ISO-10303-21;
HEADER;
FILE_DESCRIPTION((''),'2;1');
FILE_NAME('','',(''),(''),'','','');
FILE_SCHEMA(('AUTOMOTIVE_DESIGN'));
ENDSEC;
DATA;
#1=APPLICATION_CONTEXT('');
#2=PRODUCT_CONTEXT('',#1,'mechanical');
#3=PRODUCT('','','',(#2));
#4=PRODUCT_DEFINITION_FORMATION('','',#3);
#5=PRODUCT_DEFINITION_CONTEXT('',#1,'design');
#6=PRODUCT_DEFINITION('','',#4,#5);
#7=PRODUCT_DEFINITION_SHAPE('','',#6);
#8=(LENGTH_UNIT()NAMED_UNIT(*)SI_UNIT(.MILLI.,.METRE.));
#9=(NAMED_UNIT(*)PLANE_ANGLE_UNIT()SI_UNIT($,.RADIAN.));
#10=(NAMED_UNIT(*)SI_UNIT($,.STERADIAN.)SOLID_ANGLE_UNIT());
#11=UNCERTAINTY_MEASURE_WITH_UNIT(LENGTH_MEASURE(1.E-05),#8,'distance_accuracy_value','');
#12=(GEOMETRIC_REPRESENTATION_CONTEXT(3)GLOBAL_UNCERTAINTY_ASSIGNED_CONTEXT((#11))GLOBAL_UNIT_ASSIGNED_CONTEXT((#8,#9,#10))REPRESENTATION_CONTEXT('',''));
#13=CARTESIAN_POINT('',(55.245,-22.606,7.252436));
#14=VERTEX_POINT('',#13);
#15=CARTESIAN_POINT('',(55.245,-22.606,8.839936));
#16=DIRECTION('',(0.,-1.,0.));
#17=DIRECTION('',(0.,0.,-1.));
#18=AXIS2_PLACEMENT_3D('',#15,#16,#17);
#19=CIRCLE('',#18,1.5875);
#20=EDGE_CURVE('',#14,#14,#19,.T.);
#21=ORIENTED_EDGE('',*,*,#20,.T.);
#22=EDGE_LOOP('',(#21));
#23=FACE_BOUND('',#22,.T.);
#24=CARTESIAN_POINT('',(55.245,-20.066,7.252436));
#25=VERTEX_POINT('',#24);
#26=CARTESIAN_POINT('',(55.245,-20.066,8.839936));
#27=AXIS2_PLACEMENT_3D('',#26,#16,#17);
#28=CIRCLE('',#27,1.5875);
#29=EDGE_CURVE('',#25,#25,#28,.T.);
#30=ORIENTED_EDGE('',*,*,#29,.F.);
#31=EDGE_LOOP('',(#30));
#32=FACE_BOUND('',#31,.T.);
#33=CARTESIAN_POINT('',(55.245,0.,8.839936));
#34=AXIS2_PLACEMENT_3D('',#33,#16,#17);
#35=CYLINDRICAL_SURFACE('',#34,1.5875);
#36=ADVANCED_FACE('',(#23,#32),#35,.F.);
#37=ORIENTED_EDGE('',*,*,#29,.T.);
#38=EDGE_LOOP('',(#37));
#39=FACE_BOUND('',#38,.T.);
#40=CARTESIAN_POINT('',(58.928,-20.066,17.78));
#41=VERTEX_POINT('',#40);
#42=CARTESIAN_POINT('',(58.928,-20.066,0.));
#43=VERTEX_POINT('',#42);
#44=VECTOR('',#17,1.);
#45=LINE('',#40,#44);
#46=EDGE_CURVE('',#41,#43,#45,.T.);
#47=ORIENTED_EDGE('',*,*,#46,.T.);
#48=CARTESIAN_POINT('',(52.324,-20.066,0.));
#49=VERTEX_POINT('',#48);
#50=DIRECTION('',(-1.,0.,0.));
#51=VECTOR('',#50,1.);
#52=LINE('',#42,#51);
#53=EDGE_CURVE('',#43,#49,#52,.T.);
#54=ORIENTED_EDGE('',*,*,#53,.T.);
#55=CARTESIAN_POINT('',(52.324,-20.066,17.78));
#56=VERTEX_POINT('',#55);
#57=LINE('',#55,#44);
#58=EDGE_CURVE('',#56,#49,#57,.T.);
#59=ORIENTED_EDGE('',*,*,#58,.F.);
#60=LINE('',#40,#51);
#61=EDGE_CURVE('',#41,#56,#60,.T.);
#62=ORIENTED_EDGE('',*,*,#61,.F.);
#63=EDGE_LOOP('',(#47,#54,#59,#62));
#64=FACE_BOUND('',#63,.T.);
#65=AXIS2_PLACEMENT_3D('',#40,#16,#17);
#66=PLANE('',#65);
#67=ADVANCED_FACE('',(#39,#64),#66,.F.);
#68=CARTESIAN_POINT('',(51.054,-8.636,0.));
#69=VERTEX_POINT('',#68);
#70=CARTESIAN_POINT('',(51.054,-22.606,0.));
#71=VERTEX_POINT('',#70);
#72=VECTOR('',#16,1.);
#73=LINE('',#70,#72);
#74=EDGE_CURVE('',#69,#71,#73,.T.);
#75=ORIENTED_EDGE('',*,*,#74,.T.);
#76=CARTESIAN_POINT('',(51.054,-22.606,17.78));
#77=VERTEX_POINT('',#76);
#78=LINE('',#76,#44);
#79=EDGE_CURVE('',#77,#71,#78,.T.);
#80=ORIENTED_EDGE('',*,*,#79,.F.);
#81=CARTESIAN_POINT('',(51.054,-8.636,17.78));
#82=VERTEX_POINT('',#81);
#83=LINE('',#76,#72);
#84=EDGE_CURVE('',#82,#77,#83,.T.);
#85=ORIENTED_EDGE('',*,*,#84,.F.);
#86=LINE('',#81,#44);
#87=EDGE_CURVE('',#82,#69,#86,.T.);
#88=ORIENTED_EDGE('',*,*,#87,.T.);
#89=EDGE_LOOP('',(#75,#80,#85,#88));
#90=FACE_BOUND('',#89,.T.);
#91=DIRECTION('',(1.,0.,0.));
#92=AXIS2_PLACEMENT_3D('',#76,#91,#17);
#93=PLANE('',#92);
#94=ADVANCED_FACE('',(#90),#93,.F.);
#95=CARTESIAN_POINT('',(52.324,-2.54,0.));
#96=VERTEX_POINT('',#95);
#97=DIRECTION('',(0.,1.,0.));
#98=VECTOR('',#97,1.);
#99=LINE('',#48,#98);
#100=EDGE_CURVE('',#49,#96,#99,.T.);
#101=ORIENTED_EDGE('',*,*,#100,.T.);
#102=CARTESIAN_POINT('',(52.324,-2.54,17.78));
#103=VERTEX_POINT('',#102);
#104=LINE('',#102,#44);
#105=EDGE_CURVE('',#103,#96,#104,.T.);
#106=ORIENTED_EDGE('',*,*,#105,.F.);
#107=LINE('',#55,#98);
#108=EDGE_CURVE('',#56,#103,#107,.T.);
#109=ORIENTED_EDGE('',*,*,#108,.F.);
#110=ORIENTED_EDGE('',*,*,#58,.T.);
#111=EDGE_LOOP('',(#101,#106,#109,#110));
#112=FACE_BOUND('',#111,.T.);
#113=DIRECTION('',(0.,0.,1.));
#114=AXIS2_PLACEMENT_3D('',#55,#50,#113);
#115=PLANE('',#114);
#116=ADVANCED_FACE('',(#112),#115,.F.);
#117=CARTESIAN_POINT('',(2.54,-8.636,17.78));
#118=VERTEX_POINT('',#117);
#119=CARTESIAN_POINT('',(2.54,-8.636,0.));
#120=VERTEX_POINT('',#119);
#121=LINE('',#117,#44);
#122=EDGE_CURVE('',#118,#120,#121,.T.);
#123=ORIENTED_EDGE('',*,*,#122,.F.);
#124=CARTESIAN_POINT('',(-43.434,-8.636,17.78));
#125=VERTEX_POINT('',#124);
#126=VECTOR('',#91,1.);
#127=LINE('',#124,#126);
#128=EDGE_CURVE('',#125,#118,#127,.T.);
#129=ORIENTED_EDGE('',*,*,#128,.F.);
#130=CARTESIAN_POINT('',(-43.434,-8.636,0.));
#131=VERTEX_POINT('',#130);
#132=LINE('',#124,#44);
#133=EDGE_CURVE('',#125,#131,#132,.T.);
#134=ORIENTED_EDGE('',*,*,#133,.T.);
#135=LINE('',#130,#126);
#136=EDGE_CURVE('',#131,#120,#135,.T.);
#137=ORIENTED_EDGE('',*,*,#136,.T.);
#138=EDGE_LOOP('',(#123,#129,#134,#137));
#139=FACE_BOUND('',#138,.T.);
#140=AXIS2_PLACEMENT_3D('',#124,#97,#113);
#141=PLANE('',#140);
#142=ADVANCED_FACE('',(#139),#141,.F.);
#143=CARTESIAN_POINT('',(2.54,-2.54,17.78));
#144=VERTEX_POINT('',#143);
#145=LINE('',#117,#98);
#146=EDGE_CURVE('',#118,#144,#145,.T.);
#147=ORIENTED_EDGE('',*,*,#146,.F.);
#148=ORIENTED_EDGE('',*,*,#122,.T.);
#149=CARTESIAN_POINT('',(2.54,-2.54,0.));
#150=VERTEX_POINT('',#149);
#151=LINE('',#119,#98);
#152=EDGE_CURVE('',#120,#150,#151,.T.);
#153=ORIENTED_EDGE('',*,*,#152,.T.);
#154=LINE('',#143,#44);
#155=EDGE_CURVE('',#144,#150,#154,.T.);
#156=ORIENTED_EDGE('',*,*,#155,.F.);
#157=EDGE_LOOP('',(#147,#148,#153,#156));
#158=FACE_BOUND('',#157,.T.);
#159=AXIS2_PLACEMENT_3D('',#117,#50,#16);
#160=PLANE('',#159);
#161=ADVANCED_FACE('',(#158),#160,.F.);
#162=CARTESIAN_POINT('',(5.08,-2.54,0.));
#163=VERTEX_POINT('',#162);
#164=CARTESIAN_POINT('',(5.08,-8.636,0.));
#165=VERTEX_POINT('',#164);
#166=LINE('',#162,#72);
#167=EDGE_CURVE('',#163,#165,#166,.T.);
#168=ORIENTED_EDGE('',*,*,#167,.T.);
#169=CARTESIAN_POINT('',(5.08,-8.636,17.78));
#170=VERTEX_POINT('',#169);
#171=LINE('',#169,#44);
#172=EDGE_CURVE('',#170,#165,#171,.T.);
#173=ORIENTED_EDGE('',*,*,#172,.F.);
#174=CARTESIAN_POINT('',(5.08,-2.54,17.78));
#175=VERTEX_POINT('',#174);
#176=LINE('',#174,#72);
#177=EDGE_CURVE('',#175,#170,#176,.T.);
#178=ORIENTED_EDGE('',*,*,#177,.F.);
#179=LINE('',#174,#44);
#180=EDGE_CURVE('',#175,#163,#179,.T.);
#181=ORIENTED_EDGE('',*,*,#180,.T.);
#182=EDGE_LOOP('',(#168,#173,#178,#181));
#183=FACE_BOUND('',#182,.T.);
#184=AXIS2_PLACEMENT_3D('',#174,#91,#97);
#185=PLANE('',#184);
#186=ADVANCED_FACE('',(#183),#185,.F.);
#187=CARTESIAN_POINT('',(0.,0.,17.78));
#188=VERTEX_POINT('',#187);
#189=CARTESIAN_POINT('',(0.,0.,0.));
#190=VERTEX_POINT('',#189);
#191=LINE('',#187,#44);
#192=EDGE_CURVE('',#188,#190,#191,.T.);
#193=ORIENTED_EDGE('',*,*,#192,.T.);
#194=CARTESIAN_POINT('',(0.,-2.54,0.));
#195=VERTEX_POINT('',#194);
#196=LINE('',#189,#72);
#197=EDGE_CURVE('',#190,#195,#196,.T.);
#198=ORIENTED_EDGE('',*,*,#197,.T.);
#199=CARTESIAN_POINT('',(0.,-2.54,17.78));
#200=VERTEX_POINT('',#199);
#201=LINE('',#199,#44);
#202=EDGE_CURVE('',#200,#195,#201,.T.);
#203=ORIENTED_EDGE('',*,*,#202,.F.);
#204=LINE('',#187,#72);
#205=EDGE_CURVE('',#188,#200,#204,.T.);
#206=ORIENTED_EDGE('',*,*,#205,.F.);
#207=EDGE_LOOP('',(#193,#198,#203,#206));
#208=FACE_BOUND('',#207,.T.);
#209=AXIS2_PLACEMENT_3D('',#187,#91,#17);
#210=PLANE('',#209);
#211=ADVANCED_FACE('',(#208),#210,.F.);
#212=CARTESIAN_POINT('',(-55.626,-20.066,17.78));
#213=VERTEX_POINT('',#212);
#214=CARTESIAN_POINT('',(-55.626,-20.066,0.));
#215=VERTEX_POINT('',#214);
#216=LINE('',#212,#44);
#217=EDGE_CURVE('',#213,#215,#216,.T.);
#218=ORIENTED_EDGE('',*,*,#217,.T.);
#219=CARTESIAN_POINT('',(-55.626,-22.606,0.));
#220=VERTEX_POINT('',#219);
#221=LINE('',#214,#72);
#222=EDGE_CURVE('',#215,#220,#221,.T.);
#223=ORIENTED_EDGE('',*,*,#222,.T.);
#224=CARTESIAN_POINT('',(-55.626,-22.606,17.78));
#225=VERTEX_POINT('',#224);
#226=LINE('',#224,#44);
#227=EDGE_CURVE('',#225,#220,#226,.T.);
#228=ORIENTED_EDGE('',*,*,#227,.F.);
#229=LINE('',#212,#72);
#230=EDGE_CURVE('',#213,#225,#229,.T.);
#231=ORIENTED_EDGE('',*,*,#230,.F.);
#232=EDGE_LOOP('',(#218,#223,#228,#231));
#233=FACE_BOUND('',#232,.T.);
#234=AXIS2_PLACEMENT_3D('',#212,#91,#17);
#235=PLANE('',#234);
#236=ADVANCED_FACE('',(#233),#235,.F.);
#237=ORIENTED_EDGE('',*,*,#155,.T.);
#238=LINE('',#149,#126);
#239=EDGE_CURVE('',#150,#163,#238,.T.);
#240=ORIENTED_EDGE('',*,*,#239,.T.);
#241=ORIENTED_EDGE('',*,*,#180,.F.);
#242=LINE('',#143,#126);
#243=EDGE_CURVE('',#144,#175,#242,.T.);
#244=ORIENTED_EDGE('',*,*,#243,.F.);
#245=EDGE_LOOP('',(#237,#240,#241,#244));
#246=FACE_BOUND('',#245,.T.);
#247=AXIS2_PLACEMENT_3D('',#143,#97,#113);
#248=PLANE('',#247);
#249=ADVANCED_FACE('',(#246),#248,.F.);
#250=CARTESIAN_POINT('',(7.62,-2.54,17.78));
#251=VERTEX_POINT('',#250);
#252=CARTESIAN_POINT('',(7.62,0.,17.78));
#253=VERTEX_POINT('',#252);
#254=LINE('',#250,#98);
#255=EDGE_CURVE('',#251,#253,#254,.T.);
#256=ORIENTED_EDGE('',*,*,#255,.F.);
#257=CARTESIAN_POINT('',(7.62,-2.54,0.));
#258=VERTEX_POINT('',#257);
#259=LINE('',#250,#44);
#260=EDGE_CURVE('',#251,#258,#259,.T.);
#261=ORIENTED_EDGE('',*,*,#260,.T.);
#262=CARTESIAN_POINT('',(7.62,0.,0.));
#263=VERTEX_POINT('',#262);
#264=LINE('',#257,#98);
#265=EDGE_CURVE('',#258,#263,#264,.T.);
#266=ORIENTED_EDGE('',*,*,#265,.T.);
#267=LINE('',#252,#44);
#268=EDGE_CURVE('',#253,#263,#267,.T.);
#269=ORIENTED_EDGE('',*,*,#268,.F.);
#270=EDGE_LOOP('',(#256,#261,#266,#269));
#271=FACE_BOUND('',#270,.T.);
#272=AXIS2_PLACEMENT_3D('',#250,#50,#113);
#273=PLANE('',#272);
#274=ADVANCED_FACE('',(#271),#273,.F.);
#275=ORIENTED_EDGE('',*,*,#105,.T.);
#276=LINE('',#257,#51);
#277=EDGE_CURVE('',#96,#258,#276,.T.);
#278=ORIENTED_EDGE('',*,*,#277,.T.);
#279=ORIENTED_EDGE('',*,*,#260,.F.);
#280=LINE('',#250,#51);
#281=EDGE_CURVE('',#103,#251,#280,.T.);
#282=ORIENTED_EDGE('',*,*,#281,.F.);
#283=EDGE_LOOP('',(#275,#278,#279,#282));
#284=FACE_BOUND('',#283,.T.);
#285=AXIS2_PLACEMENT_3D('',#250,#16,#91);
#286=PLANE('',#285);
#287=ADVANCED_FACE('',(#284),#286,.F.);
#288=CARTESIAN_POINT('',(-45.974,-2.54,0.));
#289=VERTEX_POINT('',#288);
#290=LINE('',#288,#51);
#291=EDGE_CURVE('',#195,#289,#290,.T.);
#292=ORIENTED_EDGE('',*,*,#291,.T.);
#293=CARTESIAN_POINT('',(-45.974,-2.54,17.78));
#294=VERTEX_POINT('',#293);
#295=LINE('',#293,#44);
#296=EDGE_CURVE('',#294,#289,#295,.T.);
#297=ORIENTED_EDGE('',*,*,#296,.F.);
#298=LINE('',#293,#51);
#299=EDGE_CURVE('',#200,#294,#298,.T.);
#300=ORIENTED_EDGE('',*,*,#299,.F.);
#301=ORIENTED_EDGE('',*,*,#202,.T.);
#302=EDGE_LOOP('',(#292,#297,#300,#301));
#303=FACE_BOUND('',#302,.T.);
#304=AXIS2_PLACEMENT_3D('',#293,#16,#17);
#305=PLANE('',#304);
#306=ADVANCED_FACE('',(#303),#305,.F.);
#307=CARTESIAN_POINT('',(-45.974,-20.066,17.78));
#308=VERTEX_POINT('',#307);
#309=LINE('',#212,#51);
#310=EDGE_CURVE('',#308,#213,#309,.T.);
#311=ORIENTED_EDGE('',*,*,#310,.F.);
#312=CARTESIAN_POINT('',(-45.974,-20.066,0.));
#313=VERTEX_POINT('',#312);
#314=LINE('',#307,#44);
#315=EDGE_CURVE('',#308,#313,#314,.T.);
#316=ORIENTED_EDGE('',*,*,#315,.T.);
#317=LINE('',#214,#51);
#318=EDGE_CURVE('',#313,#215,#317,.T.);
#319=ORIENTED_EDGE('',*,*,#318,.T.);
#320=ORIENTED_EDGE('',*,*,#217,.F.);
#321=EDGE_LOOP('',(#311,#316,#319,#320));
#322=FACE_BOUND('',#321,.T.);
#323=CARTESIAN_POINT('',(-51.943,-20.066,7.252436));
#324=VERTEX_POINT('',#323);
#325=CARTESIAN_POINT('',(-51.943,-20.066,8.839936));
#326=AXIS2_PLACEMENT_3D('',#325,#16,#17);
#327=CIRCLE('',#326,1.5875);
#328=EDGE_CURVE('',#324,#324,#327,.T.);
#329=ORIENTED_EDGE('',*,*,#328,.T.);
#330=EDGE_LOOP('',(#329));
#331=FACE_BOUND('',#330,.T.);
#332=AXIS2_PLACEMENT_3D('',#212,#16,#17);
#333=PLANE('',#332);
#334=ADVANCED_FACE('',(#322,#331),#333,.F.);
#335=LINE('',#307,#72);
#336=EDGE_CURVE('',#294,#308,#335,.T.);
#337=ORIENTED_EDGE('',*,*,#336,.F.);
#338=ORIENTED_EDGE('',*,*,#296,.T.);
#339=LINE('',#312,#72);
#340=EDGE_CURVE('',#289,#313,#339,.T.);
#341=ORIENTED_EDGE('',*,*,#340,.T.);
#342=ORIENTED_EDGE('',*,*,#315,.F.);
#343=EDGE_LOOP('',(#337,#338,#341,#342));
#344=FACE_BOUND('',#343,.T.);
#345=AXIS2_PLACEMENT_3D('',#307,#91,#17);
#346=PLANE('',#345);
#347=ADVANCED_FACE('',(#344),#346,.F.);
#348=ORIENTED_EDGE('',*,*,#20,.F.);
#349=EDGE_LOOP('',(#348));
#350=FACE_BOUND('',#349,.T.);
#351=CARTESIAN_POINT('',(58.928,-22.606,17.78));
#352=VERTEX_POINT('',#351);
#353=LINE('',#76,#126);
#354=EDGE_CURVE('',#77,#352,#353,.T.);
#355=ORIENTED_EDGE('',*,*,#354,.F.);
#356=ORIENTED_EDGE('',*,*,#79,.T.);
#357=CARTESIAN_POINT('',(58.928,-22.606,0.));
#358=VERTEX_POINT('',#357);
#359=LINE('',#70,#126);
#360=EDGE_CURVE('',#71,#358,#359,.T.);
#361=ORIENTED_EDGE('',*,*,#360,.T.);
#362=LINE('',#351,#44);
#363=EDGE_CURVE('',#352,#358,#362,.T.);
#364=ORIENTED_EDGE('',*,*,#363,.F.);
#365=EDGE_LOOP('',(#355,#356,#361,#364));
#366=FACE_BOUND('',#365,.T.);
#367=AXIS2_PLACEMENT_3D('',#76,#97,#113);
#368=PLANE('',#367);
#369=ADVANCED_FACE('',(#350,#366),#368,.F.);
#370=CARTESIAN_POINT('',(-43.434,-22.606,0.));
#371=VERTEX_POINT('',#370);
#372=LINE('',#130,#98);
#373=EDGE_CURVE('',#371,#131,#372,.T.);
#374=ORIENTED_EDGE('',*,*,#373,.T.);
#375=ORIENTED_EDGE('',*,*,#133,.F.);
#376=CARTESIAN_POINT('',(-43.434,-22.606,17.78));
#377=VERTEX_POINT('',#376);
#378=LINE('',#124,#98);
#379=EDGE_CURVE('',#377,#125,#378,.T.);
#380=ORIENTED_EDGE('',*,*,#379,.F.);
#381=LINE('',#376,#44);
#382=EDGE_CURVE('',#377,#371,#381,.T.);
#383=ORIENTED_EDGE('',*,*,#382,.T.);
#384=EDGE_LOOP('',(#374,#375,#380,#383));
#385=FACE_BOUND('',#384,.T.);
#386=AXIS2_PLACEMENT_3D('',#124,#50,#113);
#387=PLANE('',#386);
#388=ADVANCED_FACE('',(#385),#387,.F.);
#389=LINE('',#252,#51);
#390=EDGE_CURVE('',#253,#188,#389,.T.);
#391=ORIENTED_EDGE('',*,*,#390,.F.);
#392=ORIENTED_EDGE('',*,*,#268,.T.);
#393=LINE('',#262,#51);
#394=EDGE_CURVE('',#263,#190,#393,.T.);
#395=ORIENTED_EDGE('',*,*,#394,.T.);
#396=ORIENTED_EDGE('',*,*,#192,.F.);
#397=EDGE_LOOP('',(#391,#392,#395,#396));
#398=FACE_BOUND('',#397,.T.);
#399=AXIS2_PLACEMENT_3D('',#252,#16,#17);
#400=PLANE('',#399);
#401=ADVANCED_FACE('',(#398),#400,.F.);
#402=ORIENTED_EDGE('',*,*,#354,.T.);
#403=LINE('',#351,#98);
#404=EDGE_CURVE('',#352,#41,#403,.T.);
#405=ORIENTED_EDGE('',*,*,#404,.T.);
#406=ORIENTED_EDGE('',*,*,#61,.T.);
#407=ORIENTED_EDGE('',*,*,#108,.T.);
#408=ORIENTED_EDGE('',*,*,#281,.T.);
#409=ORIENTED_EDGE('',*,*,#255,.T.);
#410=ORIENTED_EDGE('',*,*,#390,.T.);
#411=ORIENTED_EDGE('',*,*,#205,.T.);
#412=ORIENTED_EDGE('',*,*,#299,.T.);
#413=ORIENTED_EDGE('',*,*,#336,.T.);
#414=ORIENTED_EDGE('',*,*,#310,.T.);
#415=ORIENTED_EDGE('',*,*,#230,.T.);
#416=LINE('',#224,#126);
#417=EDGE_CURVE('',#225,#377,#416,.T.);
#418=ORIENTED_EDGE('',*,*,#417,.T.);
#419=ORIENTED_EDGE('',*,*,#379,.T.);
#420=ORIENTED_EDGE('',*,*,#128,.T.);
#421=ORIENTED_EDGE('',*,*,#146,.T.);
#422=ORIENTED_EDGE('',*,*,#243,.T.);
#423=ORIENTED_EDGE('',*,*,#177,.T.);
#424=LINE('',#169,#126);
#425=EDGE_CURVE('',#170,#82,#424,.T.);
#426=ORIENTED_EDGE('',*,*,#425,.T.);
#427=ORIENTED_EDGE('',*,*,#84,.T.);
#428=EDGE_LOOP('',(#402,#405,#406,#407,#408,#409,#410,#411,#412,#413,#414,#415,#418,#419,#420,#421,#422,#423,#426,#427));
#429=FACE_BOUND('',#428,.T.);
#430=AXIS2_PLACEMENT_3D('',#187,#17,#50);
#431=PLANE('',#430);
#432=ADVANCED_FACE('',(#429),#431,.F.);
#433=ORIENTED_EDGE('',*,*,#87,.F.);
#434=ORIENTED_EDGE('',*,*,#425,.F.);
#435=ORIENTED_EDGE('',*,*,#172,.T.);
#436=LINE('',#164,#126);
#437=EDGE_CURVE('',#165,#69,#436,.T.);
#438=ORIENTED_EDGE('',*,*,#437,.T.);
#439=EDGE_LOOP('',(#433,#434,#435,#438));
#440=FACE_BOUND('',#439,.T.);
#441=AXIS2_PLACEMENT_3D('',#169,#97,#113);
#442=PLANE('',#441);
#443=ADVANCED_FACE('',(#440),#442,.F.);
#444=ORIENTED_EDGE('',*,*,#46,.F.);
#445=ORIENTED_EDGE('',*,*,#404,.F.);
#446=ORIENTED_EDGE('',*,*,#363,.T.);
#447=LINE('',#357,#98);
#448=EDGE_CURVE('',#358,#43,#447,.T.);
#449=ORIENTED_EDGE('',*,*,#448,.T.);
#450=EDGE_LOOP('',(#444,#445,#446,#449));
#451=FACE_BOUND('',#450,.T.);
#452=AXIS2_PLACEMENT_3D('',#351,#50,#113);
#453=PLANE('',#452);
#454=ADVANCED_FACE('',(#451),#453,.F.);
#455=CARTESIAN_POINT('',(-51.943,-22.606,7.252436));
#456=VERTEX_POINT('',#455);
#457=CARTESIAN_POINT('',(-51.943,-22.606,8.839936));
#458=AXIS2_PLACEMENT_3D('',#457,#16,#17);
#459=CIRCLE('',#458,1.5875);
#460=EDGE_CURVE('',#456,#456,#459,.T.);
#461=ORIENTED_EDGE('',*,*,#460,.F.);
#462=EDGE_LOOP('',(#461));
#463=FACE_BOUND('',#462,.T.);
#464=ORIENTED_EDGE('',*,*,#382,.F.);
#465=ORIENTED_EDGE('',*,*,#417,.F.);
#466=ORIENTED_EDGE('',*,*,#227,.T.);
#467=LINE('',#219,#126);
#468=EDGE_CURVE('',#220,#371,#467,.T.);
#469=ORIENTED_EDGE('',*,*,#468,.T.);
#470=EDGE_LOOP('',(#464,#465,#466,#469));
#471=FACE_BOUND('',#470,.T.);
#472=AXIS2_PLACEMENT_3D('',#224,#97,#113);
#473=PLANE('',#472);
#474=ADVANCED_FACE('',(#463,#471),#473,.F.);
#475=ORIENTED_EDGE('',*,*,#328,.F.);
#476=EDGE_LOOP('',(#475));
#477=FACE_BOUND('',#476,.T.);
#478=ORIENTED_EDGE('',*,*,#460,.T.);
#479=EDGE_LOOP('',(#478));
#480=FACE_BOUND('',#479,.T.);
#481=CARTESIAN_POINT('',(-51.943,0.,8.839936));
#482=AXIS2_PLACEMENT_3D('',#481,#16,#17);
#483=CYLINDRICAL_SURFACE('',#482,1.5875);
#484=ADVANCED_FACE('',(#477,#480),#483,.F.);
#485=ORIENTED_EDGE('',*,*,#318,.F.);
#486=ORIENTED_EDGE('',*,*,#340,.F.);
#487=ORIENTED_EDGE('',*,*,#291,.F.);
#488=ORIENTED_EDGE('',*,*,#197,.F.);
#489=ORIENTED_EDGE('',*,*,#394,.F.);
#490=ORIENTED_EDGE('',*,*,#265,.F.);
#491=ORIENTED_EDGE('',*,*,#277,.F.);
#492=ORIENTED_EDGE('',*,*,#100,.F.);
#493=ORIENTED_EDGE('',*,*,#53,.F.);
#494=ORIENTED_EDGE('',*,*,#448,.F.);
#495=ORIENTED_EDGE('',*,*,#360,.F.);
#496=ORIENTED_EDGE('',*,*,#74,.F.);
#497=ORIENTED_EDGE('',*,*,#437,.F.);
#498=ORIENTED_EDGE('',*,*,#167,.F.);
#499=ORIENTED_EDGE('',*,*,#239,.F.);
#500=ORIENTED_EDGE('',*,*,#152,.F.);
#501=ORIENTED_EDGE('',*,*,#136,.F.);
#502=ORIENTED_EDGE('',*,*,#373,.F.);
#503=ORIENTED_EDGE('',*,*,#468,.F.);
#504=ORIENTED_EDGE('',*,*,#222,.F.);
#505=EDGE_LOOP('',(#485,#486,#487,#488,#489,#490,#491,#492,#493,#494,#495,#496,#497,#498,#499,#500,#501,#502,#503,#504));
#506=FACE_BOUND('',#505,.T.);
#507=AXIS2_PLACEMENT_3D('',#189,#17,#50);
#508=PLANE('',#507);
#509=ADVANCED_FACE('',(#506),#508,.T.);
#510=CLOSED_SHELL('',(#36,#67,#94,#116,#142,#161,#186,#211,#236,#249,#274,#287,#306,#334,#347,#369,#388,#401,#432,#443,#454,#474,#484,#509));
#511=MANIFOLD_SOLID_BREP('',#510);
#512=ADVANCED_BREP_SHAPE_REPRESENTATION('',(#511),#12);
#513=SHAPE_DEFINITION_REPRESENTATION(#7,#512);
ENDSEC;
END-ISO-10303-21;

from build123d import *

# Parameters (mm, degrees)
BOSS_EXTRUDE1_DEPTH = 17.78
SKETCH4_R           = 1.5875
CUT_EXTRUDE1_DEPTH  = 66.571859971


with BuildPart() as part:
    # Sketch3 → Boss-Extrude1 (new body)
    with BuildSketch(Plane.XY):
        Polygon((2.54, -2.54), (5.08, -2.54), (5.08, -8.636), (51.054, -8.636), (51.054, -22.606), (58.928, -22.606), (58.928, -20.066), (52.324, -20.066), (52.324, -2.54), (7.62, -2.54), (7.62, 0), (0, 0), (0, -2.54), (-45.974, -2.54), (-45.974, -20.066), (-55.626, -20.066), (-55.626, -22.606), (-43.434, -22.606), (-43.434, -8.636), (2.54, -8.636), align=None)
    extrude(amount=BOSS_EXTRUDE1_DEPTH)

    # Sketch4 → Cut-Extrude1 (cut, through all)
    with BuildSketch(Plane.XZ.offset(22.606)):
        with Locations(Location((-51.943, 8.839936473, 0), (0, 0, 270))):
            Circle(SKETCH4_R)
        with Locations(Location((55.245, 8.839936473, 0), (0, 0, 270))):
            Circle(SKETCH4_R)
    extrude(amount=-CUT_EXTRUDE1_DEPTH, mode=Mode.SUBTRACT)


solid = part.part
